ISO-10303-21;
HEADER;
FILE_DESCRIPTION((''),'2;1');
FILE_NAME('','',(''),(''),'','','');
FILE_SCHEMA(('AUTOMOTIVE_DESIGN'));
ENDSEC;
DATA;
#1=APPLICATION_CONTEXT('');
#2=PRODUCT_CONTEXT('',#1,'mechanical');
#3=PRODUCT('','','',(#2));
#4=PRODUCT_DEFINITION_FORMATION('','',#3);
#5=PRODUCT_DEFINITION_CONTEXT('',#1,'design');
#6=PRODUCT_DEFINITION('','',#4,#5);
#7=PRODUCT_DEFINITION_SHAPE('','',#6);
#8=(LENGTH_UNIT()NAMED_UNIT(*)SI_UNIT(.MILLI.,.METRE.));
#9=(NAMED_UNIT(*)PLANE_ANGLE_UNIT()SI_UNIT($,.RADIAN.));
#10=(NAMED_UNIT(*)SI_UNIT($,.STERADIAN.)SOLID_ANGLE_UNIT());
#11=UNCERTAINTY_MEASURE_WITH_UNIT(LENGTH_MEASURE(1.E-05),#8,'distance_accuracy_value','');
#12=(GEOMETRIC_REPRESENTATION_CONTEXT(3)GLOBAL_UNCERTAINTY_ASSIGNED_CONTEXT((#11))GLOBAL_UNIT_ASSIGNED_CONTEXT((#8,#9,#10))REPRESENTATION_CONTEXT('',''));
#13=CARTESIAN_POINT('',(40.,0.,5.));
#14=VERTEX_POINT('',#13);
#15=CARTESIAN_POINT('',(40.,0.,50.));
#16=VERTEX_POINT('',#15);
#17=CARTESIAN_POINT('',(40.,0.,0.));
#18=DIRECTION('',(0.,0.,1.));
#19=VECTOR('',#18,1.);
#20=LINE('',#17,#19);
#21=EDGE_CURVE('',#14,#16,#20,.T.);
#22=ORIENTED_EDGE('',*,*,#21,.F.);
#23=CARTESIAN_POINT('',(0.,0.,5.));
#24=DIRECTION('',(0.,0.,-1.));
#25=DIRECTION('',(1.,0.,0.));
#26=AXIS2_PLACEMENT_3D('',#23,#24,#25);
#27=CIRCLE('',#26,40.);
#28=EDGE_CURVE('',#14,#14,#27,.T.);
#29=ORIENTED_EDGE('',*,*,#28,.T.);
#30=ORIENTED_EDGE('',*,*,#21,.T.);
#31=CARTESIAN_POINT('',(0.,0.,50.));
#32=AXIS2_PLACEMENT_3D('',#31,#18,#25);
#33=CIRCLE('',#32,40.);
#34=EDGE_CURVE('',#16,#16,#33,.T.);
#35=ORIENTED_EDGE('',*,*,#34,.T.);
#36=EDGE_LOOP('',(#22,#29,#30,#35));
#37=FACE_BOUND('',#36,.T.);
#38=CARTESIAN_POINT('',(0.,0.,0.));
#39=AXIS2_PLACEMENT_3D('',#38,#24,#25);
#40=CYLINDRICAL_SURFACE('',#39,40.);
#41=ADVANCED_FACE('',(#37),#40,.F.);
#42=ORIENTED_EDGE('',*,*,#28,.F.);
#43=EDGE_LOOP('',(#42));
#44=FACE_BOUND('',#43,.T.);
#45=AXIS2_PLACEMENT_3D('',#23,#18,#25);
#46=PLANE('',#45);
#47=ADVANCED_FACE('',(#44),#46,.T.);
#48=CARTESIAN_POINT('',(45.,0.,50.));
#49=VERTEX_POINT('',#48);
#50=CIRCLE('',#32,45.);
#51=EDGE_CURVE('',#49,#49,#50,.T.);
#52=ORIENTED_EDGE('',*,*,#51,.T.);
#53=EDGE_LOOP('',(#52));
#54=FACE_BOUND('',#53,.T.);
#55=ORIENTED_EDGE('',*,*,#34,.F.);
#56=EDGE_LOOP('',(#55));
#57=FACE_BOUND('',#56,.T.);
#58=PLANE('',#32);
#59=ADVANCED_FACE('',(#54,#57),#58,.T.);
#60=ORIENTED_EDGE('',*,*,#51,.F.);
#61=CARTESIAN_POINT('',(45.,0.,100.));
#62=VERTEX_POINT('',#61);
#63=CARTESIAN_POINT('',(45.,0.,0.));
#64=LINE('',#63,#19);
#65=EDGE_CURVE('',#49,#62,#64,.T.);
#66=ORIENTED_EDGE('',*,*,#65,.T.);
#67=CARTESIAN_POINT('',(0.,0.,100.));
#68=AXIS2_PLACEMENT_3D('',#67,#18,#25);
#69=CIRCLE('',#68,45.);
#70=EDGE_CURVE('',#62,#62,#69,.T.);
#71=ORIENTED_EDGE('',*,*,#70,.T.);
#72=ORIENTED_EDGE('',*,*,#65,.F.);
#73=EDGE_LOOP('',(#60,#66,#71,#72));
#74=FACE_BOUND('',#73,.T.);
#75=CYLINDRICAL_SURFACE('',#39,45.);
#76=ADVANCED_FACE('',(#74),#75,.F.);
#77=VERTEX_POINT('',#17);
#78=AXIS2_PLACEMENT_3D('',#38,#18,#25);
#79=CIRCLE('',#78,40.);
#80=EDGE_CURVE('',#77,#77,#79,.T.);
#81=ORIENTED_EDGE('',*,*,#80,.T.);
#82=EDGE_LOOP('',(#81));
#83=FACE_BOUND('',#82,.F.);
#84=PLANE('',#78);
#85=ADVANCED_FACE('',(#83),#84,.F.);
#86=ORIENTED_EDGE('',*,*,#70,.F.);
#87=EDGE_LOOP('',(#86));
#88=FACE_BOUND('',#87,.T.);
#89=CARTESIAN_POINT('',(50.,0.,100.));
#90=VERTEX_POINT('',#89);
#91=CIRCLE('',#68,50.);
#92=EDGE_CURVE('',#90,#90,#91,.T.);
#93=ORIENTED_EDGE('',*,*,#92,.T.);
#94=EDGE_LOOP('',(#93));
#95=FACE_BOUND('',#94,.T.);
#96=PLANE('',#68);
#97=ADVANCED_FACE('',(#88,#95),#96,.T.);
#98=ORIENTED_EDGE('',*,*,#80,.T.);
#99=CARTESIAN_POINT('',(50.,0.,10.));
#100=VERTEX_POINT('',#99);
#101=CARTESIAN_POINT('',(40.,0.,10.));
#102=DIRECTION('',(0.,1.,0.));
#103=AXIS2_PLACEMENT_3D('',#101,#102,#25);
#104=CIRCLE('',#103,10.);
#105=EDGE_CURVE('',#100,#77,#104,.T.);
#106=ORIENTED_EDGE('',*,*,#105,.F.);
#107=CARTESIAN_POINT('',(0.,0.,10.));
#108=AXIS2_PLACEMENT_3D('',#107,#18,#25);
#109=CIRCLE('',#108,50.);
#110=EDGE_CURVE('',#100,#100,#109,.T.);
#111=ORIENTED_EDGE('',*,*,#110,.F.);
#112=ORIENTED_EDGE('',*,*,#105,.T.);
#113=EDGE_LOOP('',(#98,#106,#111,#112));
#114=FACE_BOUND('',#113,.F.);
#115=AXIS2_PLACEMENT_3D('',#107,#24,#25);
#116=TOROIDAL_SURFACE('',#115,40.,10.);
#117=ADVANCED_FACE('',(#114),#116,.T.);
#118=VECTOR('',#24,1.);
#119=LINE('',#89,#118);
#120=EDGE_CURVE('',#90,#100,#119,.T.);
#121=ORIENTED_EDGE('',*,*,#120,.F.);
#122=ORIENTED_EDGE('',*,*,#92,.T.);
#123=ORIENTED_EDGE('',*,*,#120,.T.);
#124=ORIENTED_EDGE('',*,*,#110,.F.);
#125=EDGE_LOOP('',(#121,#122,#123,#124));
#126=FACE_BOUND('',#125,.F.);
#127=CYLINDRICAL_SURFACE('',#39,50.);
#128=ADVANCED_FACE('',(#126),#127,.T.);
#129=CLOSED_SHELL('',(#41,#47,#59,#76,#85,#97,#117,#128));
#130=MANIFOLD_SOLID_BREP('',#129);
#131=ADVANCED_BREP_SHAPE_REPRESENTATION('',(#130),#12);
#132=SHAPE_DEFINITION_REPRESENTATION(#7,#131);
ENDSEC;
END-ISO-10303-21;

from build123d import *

# Parameters (mm, degrees)
F0_R     = 45
F0_R_2   = 40
F1_DEPTH = 50
F0_R_3   = 50
F2_DEPTH = 100
F3_DEPTH = 5
F4_R     = 10


with BuildPart() as f1:
    # F0 (on Top) → F1 (new body)
    with BuildSketch(Plane.XY):
        Circle(F0_R)
        Circle(F0_R_2, mode=Mode.SUBTRACT)
    extrude(amount=F1_DEPTH)

    # F0 (on Top) → F2 (join)
    with BuildSketch(Plane.XY):
        Circle(F0_R_3)
        Circle(F0_R, mode=Mode.SUBTRACT)
    extrude(amount=F2_DEPTH)

    # F0 (on Top) → F3 (join)
    with BuildSketch(Plane.XY):
        Circle(F0_R_3)
        Circle(F0_R, mode=Mode.SUBTRACT)
        Circle(F0_R)
        Circle(F0_R_2, mode=Mode.SUBTRACT)
        Circle(F0_R_2)
    extrude(amount=F3_DEPTH)

    # F4
    f4_edges = [f1.edges().sort_by_distance(p)[0] for p in [
        (-50, 0, 0),
    ]]
    fillet(f4_edges, radius=F4_R)


solid = f1.part
